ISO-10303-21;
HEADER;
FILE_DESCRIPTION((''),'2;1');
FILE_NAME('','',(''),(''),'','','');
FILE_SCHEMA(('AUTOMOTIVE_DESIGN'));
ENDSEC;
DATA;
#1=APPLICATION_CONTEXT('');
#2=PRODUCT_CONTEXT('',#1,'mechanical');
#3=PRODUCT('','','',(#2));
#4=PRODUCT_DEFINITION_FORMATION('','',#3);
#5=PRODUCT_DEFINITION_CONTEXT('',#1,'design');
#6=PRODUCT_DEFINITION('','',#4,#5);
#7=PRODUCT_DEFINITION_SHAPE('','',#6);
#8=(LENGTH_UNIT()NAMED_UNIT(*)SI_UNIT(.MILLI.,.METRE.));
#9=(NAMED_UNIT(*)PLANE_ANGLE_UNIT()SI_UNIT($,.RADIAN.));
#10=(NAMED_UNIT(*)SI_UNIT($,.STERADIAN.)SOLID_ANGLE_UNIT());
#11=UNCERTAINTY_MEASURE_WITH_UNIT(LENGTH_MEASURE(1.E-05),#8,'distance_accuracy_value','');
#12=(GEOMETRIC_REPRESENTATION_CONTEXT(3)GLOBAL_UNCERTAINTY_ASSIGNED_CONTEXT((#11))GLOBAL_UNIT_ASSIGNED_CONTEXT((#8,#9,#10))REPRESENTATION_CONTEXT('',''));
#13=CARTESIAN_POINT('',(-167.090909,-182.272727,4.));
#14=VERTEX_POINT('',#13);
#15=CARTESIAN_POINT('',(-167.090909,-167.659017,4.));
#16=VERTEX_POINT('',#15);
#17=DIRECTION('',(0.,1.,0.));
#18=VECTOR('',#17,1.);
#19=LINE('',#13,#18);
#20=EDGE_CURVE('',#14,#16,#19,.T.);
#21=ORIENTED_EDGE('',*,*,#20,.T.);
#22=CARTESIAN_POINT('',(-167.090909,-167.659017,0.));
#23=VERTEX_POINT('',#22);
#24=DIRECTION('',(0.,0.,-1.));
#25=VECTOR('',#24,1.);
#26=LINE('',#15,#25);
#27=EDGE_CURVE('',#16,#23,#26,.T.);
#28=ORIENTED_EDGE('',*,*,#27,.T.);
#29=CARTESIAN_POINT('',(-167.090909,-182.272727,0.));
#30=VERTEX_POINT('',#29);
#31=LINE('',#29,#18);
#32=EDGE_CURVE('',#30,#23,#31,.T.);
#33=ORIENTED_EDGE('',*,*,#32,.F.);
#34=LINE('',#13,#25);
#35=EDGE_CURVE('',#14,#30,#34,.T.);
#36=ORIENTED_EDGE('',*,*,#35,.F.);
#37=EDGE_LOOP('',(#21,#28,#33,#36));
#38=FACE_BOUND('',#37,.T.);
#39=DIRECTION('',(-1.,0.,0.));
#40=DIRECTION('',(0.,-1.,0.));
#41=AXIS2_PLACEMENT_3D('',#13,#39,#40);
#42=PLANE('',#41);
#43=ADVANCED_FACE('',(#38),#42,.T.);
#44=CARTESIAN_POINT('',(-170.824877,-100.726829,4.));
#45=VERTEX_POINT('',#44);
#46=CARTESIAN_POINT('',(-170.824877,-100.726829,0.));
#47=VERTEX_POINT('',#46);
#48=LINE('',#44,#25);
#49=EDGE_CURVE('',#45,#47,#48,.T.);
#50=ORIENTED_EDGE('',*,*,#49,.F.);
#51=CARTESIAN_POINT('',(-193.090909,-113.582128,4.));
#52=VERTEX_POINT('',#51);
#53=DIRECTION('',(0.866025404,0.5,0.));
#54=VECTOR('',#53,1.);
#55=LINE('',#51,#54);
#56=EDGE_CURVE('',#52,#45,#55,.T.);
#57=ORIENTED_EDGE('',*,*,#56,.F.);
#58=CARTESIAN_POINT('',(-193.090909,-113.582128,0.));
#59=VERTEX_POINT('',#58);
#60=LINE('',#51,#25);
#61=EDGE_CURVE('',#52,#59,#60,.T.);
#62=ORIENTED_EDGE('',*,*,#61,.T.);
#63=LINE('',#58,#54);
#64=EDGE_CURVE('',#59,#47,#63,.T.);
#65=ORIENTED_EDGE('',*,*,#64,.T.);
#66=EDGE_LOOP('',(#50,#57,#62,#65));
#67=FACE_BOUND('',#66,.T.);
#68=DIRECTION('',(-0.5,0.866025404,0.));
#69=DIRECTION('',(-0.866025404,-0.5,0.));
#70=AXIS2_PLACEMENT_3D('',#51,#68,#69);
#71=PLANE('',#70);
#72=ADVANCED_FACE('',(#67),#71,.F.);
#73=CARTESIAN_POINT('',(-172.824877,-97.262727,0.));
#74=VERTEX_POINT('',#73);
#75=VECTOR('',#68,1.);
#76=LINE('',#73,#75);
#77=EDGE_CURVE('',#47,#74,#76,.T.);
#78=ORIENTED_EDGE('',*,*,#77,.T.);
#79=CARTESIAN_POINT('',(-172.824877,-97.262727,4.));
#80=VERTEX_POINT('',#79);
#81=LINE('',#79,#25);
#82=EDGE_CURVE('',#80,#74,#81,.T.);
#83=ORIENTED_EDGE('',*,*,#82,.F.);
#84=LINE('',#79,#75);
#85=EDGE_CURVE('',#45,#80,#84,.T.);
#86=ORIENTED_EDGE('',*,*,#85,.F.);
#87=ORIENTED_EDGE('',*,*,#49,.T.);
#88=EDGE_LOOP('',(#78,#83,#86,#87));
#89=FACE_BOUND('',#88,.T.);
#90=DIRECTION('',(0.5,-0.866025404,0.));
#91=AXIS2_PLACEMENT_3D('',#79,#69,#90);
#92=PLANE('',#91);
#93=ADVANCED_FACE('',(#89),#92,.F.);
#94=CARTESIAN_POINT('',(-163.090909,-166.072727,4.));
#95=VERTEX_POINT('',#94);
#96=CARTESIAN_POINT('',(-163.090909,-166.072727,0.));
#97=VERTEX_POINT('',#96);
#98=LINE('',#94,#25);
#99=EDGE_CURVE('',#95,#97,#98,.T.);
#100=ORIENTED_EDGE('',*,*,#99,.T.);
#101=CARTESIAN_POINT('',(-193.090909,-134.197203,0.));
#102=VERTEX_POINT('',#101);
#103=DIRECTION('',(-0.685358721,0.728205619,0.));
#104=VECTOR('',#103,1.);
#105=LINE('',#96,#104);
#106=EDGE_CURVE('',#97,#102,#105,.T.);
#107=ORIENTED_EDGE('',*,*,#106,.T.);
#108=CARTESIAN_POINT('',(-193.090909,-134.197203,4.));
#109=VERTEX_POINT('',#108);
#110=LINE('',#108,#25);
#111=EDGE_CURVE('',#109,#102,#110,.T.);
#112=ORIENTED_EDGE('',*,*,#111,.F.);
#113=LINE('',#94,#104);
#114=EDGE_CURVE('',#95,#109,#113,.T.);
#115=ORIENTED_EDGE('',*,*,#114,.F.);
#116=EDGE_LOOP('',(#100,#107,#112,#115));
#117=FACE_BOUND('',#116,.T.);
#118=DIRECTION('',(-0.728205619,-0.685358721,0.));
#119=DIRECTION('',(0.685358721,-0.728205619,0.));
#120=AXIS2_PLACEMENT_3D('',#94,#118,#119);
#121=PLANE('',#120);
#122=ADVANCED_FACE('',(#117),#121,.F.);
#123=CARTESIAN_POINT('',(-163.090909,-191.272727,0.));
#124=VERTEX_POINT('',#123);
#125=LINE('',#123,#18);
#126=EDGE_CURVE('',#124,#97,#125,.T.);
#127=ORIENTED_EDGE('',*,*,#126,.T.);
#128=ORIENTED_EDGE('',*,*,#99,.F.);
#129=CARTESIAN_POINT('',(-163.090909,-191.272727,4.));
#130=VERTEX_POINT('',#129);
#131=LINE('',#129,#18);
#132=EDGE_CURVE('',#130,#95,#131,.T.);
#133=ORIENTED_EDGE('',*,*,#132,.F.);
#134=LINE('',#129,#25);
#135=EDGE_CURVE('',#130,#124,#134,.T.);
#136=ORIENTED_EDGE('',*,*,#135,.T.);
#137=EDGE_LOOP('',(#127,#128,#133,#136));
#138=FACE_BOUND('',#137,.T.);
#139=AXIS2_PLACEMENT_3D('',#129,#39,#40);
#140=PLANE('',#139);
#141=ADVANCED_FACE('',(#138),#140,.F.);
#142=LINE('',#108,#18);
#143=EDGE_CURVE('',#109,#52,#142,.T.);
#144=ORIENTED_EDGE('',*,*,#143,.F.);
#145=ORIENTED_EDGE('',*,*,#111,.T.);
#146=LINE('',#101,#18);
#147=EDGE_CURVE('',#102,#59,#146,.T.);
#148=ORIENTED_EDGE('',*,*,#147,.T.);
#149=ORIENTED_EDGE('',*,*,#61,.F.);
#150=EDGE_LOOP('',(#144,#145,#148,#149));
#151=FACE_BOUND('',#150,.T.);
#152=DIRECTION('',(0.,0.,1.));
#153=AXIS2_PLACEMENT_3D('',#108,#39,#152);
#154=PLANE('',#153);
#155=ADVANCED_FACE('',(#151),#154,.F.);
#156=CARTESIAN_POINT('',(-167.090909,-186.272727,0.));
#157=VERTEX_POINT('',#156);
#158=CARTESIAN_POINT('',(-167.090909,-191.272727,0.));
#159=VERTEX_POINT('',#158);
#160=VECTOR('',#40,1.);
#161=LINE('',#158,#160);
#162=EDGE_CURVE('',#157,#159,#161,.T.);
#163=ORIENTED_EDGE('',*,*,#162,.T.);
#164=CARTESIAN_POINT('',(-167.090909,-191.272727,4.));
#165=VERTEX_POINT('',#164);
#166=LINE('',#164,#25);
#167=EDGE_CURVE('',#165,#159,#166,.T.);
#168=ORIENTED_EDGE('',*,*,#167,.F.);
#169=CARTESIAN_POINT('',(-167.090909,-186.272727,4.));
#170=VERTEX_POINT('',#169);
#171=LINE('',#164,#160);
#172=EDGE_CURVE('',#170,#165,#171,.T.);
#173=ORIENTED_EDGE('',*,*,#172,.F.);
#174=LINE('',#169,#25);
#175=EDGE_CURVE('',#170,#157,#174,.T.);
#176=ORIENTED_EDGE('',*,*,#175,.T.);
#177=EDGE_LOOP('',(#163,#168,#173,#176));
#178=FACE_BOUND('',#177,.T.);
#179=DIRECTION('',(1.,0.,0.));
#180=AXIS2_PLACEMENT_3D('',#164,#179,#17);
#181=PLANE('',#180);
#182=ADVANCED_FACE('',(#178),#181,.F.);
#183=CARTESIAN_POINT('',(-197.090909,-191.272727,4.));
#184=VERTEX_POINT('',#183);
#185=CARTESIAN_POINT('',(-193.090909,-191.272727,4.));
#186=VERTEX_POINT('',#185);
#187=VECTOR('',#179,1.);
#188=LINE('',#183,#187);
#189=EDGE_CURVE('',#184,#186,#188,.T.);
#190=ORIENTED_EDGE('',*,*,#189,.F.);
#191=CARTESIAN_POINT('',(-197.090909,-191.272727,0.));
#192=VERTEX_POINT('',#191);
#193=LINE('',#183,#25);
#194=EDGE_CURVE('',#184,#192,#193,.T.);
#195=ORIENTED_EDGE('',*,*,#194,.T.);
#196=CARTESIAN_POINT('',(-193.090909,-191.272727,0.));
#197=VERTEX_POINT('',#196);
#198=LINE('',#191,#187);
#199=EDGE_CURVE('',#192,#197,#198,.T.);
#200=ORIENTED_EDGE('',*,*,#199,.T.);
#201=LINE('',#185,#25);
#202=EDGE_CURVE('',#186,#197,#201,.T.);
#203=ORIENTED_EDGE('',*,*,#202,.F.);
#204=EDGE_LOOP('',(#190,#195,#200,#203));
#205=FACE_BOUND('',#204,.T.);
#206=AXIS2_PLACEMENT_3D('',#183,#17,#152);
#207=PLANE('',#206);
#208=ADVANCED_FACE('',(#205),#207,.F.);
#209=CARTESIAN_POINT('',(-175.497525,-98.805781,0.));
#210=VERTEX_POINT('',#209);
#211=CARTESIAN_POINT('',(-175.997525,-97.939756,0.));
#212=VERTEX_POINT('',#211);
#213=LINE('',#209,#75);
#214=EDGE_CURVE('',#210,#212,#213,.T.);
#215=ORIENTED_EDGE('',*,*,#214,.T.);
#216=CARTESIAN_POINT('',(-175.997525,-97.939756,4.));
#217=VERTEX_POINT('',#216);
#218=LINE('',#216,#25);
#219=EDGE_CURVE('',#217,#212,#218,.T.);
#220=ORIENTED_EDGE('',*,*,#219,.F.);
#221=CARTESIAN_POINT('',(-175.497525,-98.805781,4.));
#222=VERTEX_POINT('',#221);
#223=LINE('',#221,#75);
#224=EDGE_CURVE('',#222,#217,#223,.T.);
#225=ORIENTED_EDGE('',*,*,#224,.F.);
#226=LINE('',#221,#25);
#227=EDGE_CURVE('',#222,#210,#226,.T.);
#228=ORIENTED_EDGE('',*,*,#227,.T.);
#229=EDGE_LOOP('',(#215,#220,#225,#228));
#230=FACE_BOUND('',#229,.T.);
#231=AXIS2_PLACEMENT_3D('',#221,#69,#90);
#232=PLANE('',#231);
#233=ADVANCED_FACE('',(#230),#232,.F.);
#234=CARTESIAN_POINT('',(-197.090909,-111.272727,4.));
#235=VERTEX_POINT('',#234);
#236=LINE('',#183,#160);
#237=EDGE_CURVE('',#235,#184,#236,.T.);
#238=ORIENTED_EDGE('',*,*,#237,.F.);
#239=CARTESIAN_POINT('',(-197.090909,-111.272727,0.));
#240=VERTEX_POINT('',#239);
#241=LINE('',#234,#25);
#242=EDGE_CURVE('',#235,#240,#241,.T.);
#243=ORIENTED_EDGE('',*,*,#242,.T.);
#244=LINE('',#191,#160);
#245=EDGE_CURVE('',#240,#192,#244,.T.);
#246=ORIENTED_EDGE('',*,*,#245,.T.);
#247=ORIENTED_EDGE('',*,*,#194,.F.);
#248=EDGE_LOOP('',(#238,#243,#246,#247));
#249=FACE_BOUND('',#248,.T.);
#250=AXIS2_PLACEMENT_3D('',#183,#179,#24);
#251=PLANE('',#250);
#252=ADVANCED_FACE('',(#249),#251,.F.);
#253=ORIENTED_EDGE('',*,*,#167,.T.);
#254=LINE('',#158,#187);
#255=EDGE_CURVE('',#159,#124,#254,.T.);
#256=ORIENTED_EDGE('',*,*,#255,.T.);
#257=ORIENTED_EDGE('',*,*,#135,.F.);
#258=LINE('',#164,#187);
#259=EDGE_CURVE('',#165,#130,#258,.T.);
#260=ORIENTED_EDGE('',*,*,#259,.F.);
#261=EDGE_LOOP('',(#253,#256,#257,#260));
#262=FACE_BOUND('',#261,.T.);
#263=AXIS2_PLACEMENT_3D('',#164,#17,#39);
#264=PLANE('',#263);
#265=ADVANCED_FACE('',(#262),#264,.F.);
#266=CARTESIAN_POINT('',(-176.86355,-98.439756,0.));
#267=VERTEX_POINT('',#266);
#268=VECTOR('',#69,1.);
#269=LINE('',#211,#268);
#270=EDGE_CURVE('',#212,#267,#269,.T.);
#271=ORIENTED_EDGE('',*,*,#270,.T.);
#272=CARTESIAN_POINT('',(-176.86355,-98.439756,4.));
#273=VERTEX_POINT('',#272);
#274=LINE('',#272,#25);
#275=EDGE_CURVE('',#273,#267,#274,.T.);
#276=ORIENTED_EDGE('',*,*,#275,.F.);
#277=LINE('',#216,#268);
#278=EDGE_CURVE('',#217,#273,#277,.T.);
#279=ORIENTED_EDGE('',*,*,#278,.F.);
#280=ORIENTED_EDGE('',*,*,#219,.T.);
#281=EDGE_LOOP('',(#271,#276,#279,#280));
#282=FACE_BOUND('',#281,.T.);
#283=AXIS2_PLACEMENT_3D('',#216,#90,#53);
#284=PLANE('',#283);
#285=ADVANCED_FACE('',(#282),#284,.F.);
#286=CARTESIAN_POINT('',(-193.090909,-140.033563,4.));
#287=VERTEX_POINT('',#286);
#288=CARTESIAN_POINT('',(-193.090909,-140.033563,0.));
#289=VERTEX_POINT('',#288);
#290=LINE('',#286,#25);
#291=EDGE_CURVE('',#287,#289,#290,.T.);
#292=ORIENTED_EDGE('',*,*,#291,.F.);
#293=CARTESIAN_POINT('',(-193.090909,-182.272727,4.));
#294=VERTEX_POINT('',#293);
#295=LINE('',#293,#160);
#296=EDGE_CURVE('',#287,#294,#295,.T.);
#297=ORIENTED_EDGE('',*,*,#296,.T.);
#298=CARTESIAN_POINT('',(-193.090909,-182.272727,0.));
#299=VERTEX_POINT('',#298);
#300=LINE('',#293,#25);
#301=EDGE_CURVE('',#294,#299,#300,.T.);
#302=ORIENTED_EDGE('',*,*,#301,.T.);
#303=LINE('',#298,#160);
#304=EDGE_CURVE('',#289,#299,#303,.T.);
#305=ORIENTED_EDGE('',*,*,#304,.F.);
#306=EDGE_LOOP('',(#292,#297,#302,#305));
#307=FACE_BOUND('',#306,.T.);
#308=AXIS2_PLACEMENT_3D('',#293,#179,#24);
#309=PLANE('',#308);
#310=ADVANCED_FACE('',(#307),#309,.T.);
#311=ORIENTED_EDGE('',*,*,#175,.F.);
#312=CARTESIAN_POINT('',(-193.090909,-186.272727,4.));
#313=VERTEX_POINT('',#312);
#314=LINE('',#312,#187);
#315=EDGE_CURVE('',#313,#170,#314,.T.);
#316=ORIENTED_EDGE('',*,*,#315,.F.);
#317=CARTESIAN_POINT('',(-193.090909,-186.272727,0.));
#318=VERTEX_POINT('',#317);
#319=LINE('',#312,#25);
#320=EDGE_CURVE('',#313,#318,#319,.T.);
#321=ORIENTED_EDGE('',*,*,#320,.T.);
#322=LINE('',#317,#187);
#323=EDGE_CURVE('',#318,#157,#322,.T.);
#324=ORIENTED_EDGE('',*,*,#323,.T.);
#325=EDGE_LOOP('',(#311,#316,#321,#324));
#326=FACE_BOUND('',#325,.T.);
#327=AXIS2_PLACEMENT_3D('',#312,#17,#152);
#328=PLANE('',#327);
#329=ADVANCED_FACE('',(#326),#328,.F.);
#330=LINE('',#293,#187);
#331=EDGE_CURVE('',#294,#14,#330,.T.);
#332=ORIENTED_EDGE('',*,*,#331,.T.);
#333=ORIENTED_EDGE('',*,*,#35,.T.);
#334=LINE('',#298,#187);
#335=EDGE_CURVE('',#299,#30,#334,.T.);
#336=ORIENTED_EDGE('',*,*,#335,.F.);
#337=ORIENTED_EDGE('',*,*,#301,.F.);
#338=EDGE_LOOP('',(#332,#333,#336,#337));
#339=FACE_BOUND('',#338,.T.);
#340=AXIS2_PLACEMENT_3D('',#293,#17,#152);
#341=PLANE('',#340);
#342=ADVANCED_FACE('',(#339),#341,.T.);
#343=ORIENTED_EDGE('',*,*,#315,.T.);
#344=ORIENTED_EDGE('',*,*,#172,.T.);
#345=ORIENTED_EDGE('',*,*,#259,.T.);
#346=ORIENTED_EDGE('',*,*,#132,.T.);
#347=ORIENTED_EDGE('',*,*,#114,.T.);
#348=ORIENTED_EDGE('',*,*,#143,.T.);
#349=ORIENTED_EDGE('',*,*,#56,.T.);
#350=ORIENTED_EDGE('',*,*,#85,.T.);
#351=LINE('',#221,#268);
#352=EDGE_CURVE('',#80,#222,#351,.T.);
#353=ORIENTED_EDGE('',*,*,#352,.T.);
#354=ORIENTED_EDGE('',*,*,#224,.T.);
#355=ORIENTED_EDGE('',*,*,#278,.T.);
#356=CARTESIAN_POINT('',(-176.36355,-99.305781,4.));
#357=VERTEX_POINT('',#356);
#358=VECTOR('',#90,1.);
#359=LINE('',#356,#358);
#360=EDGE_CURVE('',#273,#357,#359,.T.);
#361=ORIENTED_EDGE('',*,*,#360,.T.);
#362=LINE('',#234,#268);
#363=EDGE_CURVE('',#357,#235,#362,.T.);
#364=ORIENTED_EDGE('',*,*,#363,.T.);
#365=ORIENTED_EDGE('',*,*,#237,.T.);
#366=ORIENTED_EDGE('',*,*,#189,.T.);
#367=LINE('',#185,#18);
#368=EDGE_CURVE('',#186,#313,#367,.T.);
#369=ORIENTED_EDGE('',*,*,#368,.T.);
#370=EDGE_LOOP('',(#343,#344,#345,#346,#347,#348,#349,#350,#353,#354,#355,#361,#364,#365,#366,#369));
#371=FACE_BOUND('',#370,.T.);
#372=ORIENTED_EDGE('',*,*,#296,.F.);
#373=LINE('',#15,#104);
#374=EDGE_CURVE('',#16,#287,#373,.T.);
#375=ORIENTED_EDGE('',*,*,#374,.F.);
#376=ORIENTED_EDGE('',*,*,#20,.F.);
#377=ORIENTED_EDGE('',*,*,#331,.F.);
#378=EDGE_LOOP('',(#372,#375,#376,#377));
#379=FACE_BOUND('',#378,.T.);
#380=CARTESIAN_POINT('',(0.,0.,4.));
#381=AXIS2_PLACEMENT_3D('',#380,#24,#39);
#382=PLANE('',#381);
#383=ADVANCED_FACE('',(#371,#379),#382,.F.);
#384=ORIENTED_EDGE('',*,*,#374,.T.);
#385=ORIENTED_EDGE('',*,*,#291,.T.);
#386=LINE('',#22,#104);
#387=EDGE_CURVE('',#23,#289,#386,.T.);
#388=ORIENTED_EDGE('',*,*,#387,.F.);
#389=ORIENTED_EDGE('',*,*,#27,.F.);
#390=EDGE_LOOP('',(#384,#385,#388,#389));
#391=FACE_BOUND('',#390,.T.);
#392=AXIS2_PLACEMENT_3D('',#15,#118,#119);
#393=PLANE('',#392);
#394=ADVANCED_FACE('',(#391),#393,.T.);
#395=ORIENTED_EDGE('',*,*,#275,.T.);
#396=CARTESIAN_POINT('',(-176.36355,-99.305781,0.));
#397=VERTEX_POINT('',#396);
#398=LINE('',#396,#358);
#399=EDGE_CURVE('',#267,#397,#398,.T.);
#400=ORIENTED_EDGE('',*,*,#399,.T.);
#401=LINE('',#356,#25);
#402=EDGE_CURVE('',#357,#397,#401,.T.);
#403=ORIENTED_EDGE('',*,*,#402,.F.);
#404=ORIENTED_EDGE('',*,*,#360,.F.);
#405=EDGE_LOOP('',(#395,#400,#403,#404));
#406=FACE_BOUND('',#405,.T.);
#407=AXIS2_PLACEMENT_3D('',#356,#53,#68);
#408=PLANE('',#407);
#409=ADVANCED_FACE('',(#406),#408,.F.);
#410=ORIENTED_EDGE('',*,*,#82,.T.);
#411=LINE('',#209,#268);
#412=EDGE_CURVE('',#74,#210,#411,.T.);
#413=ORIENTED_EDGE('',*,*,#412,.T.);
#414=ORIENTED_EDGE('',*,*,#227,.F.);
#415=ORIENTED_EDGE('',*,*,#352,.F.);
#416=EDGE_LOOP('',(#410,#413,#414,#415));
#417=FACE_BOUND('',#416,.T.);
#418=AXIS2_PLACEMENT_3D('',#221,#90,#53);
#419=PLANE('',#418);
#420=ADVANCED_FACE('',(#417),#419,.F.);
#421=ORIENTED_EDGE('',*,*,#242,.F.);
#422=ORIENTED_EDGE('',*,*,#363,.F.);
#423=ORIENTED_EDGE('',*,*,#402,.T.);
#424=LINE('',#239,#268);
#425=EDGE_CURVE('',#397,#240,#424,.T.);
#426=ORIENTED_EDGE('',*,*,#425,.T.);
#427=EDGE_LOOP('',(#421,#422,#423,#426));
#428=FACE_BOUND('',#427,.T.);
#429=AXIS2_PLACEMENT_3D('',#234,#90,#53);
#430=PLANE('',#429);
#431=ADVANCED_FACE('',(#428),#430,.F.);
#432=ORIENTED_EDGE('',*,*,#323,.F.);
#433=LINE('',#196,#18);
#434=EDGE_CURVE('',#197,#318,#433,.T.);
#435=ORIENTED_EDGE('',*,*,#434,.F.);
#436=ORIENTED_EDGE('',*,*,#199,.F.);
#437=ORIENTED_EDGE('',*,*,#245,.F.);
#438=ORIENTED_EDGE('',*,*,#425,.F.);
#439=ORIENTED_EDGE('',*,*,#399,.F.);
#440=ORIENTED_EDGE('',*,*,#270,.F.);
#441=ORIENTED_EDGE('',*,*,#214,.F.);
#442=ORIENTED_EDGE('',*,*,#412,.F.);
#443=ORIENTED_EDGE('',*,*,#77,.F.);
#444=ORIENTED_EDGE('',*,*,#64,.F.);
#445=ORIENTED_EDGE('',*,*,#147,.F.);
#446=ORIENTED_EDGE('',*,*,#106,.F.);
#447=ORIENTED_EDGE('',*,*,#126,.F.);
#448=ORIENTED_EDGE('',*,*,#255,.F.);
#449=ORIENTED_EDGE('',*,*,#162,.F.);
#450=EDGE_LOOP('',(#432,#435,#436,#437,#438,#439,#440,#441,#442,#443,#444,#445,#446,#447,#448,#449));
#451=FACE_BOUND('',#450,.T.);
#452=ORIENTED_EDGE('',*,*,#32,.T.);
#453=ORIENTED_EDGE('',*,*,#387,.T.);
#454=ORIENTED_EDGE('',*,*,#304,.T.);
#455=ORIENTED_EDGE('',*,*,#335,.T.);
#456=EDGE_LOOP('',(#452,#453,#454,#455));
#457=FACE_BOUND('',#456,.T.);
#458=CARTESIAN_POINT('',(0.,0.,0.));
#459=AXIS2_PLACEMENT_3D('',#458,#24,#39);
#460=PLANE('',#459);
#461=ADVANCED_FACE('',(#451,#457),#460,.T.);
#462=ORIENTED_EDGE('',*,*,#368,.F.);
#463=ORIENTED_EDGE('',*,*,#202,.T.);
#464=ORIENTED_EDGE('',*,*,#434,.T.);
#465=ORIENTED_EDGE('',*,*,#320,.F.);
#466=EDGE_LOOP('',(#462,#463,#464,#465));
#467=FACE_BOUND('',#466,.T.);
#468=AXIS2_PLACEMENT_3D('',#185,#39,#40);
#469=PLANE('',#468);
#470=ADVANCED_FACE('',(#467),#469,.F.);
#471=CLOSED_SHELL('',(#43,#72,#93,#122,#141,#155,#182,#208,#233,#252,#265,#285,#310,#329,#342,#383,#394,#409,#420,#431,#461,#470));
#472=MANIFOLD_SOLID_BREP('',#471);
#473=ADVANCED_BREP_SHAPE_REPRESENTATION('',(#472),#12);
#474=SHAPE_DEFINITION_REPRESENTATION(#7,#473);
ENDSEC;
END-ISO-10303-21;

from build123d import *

# Parameters (mm, degrees)
EXTRUDE_1_DEPTH = 4


with BuildPart() as part:
    # 草图1 → 凸台-拉伸1 (new body)
    with BuildSketch(Plane.XY):
        Polygon((-163.090909091, -166.072727273), (-193.090909091, -134.197202987), (-193.090909091, -113.582128349), (-170.824877277, -100.726828888), (-172.824877277, -97.262727273), (-175.497524751, -98.805781011), (-175.997524751, -97.939755608), (-176.863550155, -98.439755608), (-176.363550155, -99.305781011), (-197.090909091, -111.272727273), (-197.090909091, -191.272727273), (-193.090909091, -191.272727273), (-193.090909091, -186.272727273), (-167.090909091, -186.272727273), (-167.090909091, -191.272727273), (-163.090909091, -191.272727273), align=None)
        Polygon((-193.090909091, -182.272727273), (-167.090909091, -182.272727273), (-167.090909091, -167.659017038), (-193.090909091, -140.033562656), align=None, mode=Mode.SUBTRACT)
    extrude(amount=EXTRUDE_1_DEPTH)


solid = part.part
